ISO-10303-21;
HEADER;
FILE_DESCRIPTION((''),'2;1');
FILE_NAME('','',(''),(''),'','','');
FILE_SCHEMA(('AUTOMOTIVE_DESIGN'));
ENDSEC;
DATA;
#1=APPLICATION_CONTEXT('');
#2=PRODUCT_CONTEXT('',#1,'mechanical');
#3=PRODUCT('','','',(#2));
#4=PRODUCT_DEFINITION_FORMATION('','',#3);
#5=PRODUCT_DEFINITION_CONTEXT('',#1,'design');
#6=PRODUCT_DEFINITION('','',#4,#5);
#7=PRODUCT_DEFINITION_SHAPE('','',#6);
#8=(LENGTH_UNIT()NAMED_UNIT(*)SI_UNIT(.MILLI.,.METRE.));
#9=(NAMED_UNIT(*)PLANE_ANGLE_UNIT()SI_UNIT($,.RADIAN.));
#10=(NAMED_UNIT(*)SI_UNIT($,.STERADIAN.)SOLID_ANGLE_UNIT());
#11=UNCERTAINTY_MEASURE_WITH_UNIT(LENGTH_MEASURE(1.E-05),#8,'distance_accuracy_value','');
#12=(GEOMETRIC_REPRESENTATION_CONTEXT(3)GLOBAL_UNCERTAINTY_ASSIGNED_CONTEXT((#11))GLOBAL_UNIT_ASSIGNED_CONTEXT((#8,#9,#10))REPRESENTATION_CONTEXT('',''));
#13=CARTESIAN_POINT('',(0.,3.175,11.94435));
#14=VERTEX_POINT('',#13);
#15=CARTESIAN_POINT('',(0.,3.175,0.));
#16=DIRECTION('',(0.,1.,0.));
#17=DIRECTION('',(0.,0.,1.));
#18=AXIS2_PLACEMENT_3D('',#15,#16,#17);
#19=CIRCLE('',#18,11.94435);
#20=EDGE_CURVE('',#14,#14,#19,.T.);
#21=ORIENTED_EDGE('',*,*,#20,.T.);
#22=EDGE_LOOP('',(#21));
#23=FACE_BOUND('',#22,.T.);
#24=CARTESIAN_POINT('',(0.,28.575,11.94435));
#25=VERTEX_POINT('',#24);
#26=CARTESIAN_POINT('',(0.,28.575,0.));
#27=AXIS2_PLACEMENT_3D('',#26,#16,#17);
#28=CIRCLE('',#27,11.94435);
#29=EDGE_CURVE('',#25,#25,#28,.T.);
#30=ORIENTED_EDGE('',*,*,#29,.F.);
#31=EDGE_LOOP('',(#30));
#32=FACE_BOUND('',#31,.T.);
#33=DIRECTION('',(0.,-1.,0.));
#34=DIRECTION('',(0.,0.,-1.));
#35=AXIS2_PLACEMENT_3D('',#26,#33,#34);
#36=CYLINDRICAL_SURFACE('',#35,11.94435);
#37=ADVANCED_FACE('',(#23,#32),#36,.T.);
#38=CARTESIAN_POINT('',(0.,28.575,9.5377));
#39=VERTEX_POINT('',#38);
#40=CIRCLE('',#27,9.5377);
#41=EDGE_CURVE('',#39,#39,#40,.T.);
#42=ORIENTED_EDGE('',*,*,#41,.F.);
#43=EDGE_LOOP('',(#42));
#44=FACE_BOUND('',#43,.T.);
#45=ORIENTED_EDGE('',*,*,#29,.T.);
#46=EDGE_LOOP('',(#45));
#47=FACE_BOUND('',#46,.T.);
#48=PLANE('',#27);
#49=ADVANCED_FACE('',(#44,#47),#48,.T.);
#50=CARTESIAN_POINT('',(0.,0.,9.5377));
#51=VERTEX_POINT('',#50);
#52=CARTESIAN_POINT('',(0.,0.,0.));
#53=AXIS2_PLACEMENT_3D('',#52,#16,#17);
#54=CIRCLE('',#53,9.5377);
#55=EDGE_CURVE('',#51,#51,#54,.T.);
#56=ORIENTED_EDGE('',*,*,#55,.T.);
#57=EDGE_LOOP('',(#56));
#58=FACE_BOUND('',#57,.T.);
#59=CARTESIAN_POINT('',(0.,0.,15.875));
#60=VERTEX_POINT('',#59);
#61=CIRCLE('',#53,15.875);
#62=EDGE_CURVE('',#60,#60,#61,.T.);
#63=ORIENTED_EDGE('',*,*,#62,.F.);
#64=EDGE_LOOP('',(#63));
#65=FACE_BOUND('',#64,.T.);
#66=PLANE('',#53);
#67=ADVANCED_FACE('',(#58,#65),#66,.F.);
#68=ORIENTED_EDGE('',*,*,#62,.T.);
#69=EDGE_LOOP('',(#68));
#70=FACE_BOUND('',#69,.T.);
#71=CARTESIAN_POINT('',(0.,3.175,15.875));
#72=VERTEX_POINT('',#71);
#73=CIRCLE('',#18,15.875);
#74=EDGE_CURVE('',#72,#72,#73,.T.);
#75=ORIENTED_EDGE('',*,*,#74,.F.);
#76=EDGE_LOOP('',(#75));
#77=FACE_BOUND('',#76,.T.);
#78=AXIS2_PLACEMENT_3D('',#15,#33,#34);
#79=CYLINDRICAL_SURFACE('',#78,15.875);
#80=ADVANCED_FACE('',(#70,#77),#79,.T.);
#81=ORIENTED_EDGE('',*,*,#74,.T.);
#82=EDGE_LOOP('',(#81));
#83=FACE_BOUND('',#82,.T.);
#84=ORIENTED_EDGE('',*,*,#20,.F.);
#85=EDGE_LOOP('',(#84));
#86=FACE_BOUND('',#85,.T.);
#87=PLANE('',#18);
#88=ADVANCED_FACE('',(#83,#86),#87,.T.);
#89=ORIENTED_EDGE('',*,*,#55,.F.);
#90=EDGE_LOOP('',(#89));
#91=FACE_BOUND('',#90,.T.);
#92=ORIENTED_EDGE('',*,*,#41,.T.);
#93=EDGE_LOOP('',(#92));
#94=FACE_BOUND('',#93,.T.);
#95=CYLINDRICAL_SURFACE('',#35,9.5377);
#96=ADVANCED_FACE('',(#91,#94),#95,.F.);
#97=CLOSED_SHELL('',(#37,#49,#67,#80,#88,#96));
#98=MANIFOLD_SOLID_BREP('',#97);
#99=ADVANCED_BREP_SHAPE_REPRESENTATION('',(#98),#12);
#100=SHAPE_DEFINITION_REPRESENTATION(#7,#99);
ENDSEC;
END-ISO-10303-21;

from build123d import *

# Parameters (mm, degrees)
SKETCH2_R           = 11.94435
SKETCH2_R_2         = 9.5377
BOSS_EXTRUDE1_DEPTH = 28.575
SKETCH3_R           = 15.875
SKETCH3_R_2         = 11.94435
BOSS_EXTRUDE2_DEPTH = 3.175


with BuildPart() as part:
    # Sketch2 → Boss-Extrude1 (new body)
    with BuildSketch(Plane(origin=(0, 0, 0), x_dir=(1, 0, 0), z_dir=(0, 1, 0))):
        Circle(SKETCH2_R)
        Circle(SKETCH2_R_2, mode=Mode.SUBTRACT)
    extrude(amount=BOSS_EXTRUDE1_DEPTH)

    # Sketch3 → Boss-Extrude2 (add)
    with BuildSketch(Plane(origin=(0, 0, 0), x_dir=(1, 0, 0), z_dir=(0, 1, 0))):
        Circle(SKETCH3_R)
        Circle(SKETCH3_R_2, mode=Mode.SUBTRACT)
    extrude(amount=BOSS_EXTRUDE2_DEPTH)


solid = part.part
